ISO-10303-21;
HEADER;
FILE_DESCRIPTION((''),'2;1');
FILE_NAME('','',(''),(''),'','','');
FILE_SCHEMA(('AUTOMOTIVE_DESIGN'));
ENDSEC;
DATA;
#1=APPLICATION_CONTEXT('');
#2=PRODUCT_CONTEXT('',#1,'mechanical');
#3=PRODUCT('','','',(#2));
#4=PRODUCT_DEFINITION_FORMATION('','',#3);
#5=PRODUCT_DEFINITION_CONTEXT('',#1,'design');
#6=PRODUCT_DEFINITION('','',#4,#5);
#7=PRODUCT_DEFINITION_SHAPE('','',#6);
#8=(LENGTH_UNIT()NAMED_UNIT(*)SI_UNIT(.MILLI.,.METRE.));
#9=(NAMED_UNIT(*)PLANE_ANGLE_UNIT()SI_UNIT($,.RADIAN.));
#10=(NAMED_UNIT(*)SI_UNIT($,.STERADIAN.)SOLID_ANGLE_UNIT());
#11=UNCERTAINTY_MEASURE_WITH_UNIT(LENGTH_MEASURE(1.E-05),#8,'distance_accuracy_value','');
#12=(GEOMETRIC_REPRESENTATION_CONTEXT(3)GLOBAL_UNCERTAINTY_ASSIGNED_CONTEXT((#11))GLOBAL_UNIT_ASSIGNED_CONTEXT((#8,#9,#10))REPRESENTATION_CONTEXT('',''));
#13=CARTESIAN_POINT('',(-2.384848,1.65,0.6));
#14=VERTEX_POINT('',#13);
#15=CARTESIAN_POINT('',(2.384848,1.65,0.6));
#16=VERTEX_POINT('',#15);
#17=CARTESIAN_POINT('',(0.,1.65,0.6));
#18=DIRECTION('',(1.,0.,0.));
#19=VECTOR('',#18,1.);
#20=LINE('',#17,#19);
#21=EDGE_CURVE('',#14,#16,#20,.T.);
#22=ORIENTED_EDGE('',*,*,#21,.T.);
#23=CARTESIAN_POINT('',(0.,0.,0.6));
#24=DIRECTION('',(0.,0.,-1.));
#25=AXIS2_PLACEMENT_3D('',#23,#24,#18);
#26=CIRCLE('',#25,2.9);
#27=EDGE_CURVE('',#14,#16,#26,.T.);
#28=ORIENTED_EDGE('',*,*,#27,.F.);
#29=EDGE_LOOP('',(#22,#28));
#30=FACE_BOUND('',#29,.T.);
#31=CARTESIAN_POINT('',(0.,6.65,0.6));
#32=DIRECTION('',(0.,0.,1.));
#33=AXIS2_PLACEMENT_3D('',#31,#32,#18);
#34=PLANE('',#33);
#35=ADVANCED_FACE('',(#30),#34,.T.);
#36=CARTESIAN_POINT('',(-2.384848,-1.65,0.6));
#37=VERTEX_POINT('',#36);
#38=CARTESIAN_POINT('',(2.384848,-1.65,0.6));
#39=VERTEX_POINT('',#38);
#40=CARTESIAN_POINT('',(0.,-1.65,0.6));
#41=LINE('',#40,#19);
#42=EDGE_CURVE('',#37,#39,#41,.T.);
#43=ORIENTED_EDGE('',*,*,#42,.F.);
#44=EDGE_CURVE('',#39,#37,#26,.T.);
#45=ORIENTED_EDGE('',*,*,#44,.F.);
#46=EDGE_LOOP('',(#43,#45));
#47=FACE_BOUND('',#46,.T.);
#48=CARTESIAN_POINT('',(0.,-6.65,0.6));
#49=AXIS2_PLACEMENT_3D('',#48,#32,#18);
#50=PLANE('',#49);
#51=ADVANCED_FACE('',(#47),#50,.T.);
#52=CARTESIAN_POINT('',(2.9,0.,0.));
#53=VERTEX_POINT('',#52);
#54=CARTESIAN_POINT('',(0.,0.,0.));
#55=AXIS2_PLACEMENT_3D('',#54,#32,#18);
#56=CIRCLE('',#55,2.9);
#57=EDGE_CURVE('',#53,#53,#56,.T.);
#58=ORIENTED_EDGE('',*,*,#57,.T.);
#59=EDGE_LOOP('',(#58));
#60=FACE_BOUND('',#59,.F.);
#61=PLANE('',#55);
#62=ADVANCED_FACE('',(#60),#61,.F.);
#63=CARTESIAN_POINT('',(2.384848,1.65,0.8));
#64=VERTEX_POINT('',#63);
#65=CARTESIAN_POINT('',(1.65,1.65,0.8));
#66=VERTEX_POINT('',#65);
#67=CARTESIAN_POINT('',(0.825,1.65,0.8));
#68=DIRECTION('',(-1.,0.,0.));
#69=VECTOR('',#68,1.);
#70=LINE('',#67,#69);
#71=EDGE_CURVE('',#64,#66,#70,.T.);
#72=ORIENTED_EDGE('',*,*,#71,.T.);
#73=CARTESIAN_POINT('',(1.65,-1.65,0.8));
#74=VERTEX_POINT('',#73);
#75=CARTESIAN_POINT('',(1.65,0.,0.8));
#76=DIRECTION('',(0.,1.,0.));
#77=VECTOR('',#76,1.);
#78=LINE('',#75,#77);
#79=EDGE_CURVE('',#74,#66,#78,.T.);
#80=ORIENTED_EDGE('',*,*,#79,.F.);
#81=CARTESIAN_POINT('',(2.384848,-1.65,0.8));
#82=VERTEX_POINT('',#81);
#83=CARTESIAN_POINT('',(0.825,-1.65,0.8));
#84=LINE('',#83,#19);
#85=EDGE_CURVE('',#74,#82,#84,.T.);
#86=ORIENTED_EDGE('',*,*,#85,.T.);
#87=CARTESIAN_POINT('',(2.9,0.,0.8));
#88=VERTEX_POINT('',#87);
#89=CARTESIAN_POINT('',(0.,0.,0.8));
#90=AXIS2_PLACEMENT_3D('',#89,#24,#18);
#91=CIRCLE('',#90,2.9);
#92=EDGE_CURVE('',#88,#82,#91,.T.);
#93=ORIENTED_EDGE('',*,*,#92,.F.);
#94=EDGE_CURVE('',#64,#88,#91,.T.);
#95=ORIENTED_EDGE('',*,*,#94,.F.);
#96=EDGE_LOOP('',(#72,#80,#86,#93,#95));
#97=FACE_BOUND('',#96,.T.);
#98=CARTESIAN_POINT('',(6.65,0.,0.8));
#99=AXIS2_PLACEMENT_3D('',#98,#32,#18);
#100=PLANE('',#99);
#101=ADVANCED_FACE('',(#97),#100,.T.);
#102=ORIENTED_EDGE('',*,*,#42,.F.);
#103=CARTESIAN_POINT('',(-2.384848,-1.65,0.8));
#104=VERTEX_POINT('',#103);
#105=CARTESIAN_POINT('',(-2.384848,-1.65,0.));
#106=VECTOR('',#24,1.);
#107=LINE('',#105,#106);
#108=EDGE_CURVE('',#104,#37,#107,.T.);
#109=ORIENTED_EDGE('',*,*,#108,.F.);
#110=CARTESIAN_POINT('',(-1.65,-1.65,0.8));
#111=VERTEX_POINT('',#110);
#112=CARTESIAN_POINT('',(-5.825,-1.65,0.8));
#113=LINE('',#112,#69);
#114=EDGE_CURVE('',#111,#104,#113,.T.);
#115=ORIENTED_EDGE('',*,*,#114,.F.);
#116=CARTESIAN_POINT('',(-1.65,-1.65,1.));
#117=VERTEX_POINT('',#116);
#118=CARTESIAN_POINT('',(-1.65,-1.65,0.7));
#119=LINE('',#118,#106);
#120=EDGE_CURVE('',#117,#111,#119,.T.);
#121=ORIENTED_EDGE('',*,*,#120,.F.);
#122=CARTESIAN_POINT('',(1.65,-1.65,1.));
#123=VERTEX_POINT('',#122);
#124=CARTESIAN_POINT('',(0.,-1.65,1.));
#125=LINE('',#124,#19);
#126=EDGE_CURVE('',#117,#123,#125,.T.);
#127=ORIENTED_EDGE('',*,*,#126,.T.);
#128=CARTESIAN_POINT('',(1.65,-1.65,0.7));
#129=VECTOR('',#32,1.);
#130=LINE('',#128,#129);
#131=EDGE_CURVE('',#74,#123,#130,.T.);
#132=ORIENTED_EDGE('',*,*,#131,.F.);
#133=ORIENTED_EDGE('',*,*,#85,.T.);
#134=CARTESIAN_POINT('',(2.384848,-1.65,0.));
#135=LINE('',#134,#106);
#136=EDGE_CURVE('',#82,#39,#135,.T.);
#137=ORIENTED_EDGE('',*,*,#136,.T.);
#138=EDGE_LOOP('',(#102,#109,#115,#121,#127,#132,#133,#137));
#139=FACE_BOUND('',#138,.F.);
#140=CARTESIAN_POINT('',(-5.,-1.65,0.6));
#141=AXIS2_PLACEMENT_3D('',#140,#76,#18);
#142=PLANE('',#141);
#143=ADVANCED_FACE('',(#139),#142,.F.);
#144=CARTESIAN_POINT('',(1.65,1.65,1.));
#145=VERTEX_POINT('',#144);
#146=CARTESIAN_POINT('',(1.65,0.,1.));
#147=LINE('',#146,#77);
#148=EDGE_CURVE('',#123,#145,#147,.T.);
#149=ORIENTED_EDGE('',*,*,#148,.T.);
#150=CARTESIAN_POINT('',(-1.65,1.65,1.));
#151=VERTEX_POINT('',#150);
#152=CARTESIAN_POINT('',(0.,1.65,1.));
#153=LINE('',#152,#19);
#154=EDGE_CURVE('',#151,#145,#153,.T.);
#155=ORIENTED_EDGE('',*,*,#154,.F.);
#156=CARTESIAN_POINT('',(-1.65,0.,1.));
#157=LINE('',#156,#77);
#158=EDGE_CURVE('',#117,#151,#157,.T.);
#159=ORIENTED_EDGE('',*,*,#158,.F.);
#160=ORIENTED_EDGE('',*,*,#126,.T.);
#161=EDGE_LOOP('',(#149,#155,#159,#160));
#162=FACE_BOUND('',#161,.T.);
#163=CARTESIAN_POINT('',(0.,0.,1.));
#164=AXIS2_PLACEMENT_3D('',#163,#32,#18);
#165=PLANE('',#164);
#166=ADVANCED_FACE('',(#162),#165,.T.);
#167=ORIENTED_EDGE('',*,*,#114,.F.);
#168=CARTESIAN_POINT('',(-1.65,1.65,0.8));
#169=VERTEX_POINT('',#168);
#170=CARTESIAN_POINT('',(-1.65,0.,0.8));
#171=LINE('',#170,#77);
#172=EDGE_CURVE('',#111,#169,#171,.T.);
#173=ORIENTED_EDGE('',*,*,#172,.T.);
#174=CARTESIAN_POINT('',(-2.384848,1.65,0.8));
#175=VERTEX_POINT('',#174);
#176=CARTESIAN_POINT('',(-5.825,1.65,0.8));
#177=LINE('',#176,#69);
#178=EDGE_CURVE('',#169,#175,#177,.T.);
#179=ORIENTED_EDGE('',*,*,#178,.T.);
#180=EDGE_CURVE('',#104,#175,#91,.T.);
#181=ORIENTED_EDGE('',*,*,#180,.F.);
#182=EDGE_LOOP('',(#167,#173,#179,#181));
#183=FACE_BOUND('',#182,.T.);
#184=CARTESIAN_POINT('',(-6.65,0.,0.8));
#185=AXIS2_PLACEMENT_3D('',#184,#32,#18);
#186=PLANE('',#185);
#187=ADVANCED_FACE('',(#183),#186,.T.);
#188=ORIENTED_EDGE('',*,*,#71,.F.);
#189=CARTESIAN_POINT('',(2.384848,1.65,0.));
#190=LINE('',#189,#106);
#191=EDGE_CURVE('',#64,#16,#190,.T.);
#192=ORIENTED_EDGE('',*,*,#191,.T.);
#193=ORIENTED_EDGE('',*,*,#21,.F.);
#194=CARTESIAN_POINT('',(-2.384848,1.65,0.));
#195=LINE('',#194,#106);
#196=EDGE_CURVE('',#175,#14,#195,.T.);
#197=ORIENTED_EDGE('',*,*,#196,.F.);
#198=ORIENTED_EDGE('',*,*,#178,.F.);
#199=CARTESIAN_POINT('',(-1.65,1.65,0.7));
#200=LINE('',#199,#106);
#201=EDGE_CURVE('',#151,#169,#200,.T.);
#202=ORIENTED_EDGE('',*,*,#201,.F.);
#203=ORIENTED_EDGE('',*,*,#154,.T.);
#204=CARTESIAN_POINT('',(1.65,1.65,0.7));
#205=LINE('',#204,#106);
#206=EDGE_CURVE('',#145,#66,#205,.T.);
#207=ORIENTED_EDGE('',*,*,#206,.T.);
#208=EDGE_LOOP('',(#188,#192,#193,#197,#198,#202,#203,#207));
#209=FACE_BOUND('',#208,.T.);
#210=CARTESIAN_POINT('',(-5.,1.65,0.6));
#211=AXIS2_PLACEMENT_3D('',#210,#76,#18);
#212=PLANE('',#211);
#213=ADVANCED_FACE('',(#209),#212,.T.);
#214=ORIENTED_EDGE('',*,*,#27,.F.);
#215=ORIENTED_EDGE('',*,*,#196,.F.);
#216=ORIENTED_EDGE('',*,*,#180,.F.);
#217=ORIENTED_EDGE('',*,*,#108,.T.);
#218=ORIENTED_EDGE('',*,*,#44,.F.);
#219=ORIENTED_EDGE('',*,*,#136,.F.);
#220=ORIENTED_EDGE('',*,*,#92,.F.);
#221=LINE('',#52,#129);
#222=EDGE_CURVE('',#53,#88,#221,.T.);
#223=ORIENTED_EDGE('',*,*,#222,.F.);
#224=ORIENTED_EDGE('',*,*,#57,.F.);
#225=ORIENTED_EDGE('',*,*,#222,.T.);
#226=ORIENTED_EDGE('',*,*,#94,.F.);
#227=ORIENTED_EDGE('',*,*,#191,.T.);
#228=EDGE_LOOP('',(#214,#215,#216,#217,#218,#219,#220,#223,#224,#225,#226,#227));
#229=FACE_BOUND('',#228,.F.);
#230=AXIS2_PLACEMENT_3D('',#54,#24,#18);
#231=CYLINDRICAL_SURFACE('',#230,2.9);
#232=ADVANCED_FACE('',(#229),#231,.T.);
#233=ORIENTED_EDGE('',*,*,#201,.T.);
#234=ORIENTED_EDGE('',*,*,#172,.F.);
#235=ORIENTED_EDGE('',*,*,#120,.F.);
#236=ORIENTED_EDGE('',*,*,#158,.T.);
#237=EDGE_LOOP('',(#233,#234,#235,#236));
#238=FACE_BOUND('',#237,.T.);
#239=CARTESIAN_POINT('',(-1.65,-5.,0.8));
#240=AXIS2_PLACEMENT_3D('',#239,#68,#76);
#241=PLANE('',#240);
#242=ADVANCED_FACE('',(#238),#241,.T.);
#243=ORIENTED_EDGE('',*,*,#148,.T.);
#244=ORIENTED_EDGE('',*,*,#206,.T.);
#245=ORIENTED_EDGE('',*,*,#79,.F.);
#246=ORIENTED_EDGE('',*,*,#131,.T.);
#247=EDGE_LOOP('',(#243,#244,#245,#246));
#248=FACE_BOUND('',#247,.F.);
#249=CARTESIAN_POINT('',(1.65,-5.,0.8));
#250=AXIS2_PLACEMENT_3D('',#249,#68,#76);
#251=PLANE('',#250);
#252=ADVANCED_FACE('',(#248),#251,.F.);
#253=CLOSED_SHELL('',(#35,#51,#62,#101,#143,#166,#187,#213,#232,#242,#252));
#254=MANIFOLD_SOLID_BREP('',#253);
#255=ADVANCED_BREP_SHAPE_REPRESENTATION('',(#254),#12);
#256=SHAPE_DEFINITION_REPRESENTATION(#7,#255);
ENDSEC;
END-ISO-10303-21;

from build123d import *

# Parameters (mm, degrees)
BOX002_W          = 10
BOX002_H          = 10
BOX002_DEPTH      = 0.4
BOX003_W          = 10
BOX003_H          = 10
BOX003_DEPTH      = 0.2
BOX001_W          = 10
BOX001_H          = 10
BOX001_DEPTH      = 0.4
BOX004_W          = 10
BOX004_H          = 10
BOX004_DEPTH      = 0.2
CYLINDER020_R     = 2.9
CYLINDER020_DEPTH = 1


with BuildPart() as cube002:
    # Box002 → Box002 (new body)
    with BuildSketch(Plane(origin=(-5, -11.65, 0), x_dir=(1, 0, 0), z_dir=(0, 0, 1))):
        with Locations((5, 5)):
            Rectangle(BOX002_W, BOX002_H)
    extrude(amount=BOX002_DEPTH)


with BuildPart() as cube003:
    # Box003 → Box003 (new body)
    with BuildSketch(Plane(origin=(1.65, -5, 0.2), x_dir=(1, 0, 0), z_dir=(0, 0, 1))):
        with Locations((5, 5)):
            Rectangle(BOX003_W, BOX003_H)
    extrude(amount=BOX003_DEPTH)


with BuildPart() as cube001:
    # Box001 → Box001 (new body)
    with BuildSketch(Plane(origin=(-5, 1.65, 0), x_dir=(1, 0, 0), z_dir=(0, 0, 1))):
        with Locations((5, 5)):
            Rectangle(BOX001_W, BOX001_H)
    extrude(amount=BOX001_DEPTH)


with BuildPart() as fusion003:
    # Box004 → Box004 (new body)
    with BuildSketch(Plane(origin=(-11.65, -5, 0.2), x_dir=(1, 0, 0), z_dir=(0, 0, 1))):
        with Locations((5, 5)):
            Rectangle(BOX004_W, BOX004_H)
    extrude(amount=BOX004_DEPTH)

    # Fusion003: union Cube002, Cube003, Cube001
    add(cube002.part)
    add(cube003.part)
    add(cube001.part)


with BuildPart() as fusion003_1:
    # Fusion003 placement: moved
    add(fusion003.part.moved(Location((0, 0, 0.6))))


with BuildPart() as cut017:
    # Cylinder020 → Cylinder020 (new body)
    with BuildSketch(Plane.XY):
        Circle(CYLINDER020_R)
    extrude(amount=CYLINDER020_DEPTH)

    # Cut017: cut Fusion003
    add(fusion003_1.part, mode=Mode.SUBTRACT)


solid = cut017.part
